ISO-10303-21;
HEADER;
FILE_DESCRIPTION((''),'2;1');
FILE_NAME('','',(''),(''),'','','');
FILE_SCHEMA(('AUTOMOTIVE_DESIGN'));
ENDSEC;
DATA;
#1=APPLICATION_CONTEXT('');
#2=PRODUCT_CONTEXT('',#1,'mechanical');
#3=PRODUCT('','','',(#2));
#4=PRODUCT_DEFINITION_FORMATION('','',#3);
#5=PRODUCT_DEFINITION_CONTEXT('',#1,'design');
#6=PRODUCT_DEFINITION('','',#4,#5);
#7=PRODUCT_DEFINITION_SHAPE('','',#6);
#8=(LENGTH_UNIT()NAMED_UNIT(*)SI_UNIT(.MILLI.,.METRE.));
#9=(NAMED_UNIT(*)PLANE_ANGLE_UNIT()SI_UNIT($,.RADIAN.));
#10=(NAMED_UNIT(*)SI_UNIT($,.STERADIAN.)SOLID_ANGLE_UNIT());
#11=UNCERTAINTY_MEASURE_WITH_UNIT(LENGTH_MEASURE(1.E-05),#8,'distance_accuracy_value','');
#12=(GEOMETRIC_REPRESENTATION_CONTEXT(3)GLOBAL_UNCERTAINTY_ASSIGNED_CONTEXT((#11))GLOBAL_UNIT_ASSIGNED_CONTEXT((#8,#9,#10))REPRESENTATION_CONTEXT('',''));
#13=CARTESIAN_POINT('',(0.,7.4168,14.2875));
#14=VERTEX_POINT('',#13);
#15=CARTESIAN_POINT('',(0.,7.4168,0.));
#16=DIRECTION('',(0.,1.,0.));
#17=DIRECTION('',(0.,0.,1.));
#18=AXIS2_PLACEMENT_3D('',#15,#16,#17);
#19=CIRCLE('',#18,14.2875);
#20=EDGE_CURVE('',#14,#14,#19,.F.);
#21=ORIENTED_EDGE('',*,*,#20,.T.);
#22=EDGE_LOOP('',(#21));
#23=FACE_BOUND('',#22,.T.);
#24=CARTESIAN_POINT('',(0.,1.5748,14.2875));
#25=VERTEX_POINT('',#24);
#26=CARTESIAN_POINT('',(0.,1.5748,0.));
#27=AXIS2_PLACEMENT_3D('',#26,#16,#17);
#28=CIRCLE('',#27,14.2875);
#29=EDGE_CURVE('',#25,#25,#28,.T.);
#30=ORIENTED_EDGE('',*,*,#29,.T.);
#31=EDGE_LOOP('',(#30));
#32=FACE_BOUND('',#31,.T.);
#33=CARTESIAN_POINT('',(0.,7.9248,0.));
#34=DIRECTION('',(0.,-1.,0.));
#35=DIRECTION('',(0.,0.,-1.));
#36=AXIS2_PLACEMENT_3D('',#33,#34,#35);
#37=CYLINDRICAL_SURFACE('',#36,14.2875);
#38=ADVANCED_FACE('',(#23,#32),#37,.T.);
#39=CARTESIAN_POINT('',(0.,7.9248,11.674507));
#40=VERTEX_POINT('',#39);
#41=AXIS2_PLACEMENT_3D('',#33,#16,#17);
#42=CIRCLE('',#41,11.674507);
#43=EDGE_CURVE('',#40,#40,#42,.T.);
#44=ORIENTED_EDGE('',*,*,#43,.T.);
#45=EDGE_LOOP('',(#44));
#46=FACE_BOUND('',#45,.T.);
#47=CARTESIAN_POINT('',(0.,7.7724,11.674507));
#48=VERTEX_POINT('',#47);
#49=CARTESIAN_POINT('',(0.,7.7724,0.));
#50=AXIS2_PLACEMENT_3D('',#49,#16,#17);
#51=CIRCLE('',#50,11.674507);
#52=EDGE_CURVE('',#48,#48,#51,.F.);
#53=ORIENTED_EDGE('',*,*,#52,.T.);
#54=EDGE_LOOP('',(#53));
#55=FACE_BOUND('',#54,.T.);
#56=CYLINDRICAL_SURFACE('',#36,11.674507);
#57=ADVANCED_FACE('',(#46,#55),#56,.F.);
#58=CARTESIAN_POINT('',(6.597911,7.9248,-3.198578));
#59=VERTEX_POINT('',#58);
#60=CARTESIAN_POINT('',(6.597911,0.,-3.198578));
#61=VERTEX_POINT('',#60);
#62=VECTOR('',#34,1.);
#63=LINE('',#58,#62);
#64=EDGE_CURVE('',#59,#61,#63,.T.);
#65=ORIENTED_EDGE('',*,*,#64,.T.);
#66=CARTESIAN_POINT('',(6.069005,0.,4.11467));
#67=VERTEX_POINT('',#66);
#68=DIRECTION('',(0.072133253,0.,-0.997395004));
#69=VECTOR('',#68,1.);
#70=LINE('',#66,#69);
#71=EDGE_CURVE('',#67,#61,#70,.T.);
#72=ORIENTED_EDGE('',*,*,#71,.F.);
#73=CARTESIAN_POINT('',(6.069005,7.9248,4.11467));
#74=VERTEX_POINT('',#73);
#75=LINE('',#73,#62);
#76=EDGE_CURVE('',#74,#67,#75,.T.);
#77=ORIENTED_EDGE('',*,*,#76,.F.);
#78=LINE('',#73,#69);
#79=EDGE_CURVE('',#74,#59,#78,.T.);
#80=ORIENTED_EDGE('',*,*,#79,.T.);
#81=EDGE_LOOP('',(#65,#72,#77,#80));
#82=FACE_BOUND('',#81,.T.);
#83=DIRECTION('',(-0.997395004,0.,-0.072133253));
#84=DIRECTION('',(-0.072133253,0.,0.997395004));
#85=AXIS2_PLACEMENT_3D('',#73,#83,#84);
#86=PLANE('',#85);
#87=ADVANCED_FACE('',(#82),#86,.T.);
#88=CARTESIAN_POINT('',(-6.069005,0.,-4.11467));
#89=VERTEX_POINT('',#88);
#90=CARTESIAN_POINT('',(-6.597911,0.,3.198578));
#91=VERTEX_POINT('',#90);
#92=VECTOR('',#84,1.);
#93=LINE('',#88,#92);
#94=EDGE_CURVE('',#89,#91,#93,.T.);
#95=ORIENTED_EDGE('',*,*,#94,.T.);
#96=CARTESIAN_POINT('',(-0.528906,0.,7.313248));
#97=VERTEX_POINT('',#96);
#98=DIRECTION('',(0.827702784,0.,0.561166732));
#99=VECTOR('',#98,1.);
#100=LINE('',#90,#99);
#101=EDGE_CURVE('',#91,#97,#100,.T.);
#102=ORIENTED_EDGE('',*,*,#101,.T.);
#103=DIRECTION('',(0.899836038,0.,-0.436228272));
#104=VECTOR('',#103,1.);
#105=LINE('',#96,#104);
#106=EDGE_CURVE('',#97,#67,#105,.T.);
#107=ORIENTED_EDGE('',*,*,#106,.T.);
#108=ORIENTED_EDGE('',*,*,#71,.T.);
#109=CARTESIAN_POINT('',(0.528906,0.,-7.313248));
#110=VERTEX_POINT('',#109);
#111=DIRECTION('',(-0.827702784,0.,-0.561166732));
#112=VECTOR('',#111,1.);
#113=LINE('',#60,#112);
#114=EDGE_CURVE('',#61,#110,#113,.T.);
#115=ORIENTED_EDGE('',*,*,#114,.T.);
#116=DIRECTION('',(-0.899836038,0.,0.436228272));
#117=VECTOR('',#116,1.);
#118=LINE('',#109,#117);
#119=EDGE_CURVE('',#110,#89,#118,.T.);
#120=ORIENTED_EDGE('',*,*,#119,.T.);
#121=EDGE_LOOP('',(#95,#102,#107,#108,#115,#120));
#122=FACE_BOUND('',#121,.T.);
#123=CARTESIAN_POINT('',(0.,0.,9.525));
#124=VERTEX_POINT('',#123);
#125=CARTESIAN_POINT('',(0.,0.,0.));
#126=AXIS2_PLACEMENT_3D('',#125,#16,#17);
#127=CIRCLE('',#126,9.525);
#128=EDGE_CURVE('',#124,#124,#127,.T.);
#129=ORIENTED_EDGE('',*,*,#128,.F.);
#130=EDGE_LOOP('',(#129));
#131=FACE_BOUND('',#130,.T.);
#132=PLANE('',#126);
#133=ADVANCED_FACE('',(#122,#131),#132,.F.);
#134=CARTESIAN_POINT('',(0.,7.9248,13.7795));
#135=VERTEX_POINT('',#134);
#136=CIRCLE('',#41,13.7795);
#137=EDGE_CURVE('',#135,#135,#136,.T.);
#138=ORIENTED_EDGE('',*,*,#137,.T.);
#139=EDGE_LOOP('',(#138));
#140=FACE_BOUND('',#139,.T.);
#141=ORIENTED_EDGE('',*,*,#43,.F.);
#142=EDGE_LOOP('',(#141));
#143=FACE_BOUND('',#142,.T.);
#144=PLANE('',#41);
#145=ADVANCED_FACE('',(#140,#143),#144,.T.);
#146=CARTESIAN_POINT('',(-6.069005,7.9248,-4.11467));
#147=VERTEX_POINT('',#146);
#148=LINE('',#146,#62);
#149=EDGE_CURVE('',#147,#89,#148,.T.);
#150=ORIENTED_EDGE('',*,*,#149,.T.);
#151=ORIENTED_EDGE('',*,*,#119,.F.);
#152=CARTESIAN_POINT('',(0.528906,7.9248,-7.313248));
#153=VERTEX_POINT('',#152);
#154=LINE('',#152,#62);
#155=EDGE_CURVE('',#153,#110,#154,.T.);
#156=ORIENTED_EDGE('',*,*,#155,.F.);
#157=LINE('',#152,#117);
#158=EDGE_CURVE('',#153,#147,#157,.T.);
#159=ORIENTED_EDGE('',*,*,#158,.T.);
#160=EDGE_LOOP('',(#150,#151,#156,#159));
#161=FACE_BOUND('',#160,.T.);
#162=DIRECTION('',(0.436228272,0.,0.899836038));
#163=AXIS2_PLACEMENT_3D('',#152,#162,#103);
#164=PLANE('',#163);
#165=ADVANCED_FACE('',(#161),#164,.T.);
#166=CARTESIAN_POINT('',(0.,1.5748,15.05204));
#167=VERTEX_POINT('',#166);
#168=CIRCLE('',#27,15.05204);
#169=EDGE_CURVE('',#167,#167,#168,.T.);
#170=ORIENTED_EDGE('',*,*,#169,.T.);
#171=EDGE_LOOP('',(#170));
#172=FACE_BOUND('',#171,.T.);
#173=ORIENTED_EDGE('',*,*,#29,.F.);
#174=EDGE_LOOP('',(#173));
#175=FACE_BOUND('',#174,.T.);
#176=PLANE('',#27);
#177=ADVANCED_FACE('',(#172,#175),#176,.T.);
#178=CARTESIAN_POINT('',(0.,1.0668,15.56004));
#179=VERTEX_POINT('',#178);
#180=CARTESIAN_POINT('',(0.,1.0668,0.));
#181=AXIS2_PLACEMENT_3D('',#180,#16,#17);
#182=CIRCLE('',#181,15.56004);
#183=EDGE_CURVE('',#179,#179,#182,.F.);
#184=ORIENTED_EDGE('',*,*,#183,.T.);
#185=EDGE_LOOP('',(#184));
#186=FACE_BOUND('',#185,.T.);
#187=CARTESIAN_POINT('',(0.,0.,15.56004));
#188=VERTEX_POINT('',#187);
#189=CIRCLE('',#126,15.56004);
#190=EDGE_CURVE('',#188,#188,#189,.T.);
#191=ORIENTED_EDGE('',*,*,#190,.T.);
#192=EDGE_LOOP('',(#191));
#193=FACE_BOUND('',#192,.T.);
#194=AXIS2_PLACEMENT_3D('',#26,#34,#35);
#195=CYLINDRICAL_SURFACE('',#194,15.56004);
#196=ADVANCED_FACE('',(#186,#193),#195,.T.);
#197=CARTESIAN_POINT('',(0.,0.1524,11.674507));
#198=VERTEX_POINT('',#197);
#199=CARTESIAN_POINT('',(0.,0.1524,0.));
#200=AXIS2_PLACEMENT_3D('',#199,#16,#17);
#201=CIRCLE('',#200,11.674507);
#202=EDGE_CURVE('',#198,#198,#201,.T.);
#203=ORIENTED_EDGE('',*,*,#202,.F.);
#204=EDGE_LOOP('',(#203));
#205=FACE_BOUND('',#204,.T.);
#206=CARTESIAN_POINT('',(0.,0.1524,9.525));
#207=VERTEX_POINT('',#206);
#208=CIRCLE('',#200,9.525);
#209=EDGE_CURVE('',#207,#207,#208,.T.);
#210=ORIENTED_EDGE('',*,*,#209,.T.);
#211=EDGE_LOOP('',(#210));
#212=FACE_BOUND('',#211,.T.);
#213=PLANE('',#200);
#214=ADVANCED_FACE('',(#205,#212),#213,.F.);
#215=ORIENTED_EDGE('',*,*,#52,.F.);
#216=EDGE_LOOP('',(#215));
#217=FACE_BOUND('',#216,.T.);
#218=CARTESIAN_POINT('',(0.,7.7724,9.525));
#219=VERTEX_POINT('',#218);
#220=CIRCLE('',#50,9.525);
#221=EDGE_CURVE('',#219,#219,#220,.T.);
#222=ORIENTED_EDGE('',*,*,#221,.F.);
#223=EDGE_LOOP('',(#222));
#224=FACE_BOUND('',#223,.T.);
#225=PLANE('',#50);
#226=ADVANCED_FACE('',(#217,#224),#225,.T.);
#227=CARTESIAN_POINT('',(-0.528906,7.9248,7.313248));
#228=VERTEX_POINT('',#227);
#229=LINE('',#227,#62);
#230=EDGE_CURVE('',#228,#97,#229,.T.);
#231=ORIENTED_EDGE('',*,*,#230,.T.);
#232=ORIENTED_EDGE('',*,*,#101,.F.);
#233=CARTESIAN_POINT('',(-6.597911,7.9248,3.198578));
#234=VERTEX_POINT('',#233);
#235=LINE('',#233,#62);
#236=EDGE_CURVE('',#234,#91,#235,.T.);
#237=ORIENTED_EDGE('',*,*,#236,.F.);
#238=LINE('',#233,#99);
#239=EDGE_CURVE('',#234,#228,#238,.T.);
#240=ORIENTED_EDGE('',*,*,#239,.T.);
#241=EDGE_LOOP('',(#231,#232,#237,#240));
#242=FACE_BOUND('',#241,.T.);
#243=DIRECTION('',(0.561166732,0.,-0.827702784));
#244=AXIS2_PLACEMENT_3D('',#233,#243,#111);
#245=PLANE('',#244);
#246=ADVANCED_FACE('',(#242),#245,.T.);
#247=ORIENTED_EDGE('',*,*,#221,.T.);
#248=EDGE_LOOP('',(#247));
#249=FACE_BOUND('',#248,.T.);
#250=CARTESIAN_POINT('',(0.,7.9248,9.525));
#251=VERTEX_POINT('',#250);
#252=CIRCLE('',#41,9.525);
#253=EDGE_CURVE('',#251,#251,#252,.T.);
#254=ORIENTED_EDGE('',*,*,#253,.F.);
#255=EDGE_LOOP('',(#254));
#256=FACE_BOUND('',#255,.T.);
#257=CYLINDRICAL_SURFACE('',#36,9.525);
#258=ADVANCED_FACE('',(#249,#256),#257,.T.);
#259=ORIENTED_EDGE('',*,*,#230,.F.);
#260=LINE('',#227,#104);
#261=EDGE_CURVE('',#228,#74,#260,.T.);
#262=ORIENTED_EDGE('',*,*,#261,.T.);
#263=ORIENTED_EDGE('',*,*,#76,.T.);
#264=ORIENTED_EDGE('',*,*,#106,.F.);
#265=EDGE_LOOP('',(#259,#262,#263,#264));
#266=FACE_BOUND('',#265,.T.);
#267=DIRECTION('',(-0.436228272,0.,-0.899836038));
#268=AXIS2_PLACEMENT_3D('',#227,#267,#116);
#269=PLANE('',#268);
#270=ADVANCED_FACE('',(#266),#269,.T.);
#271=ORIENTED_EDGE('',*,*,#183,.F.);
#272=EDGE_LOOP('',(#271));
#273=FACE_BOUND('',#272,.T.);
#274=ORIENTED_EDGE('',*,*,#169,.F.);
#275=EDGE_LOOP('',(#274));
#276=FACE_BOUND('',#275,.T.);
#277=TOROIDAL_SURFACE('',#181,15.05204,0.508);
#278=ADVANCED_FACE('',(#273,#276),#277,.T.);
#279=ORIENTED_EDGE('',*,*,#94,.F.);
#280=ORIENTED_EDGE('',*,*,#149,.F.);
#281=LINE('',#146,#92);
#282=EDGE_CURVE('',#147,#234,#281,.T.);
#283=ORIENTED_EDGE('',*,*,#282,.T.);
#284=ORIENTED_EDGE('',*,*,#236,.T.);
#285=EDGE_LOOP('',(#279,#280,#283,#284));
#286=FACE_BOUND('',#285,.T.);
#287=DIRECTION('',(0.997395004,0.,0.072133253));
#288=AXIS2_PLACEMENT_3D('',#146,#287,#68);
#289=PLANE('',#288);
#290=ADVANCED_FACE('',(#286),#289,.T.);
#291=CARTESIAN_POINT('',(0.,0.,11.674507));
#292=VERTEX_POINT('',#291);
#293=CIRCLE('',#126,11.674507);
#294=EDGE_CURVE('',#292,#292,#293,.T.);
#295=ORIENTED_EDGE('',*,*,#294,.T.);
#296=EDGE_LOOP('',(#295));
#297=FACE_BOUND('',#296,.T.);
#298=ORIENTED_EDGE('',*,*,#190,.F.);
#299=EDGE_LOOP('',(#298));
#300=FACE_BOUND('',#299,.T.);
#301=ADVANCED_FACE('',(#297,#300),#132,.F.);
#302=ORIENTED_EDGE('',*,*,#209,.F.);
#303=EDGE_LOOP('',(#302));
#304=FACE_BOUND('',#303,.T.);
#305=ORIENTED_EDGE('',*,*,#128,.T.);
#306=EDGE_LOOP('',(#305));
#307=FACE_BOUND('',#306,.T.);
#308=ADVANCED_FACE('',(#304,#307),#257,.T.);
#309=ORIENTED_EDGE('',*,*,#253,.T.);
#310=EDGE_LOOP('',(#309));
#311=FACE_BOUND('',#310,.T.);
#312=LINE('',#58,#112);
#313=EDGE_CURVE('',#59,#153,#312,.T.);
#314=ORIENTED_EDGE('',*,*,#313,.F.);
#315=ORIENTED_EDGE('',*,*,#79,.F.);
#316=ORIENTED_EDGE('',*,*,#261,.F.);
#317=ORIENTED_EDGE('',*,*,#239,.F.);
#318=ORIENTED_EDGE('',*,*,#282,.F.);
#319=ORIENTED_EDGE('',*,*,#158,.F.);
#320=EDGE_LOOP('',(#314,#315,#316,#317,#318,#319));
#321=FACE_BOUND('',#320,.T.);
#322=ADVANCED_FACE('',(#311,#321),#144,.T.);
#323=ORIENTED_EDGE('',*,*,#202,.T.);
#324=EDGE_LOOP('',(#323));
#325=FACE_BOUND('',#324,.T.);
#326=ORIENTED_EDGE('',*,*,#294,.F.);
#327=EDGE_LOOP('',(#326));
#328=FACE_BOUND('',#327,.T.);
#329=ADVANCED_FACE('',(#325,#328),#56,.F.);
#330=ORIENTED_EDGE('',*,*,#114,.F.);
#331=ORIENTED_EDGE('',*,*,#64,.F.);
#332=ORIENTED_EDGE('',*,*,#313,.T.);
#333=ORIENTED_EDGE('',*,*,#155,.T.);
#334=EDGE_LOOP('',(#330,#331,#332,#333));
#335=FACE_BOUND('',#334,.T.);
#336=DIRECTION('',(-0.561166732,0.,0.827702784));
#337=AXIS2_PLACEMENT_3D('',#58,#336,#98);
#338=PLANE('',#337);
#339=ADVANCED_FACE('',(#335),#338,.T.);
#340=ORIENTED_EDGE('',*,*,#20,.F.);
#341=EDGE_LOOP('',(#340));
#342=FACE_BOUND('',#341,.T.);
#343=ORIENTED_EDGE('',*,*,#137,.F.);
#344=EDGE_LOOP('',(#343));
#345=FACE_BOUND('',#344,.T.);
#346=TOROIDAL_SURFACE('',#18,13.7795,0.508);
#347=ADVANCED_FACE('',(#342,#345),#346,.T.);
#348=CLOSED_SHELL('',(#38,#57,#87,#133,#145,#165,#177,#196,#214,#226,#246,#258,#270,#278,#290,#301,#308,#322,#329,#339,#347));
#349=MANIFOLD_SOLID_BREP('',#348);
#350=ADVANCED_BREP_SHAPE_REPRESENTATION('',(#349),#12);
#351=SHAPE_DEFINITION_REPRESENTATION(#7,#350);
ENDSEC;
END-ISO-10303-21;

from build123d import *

# Parameters (mm, degrees)
SKETCH1_R                = 9.525
BOSS_EXTRUDE1_DEPTH      = 7.9248
BOSS_EXTRUDE2_DEPTH      = 3.81
BOSS_EXTRUDE2_DEPTH_BACK = 3.81
SKETCH2_R                = 11.67450685
SKETCH2_R_2              = 9.525
SKETCH3_R                = 14.2875
SKETCH3_R_2              = 11.67450685
BOSS_EXTRUDE4_DEPTH      = 7.9248
SKETCH4_R                = 15.56004
SKETCH4_R_2              = 14.2875
BOSS_EXTRUDE5_DEPTH      = 1.5748
FILLET1_R                = 0.508


with BuildPart() as part:
    # Sketch1 → Boss-Extrude1 (new body)
    with BuildSketch(Plane(origin=(0, 0, 0), x_dir=(1, 0, 0), z_dir=(0, 1, 0))):
        Circle(SKETCH1_R)
        Polygon((6.069005203, -4.114669997), (6.597911347, 3.198577683), (0.528906144, 7.31324768), (-6.069005203, 4.114669997), (-6.597911347, -3.198577683), (-0.528906144, -7.31324768), align=None, mode=Mode.SUBTRACT)
    extrude(amount=BOSS_EXTRUDE1_DEPTH)



with BuildPart() as body_2:
    # Sketch2 → Boss-Extrude2 (new, two sides: drawn at the far end of the back side and taken through both)
    with BuildSketch(Plane(origin=(0, 3.9624, 0), x_dir=(1, 0, 0), z_dir=(0, 1, 0)).offset(-BOSS_EXTRUDE2_DEPTH_BACK)):
        Circle(SKETCH2_R)
        Circle(SKETCH2_R_2, mode=Mode.SUBTRACT)
    extrude(amount=BOSS_EXTRUDE2_DEPTH + BOSS_EXTRUDE2_DEPTH_BACK)


with BuildPart() as part_1:
    add(part.part)

    add(body_2.part)  # Boss-Extrude4 merges body 2
    # Sketch3 → Boss-Extrude4 (add)
    with BuildSketch(Plane(origin=(0, 0, 0), x_dir=(1, 0, 0), z_dir=(0, 1, 0))):
        Circle(SKETCH3_R)
        Circle(SKETCH3_R_2, mode=Mode.SUBTRACT)
    extrude(amount=BOSS_EXTRUDE4_DEPTH)

    # Sketch4 → Boss-Extrude5 (add)
    with BuildSketch(Plane(origin=(0, 0, 0), x_dir=(1, 0, 0), z_dir=(0, 1, 0))):
        Circle(SKETCH4_R)
        Circle(SKETCH4_R_2, mode=Mode.SUBTRACT)
    extrude(amount=BOSS_EXTRUDE5_DEPTH)

    # Fillet1
    fillet1_edges = [part_1.edges().sort_by_distance(p)[0] for p in [
        (-15.56004, 1.5748, 0),
        (-14.2875, 7.9248, 0),
    ]]
    fillet(fillet1_edges, radius=FILLET1_R)


solid = part_1.part
